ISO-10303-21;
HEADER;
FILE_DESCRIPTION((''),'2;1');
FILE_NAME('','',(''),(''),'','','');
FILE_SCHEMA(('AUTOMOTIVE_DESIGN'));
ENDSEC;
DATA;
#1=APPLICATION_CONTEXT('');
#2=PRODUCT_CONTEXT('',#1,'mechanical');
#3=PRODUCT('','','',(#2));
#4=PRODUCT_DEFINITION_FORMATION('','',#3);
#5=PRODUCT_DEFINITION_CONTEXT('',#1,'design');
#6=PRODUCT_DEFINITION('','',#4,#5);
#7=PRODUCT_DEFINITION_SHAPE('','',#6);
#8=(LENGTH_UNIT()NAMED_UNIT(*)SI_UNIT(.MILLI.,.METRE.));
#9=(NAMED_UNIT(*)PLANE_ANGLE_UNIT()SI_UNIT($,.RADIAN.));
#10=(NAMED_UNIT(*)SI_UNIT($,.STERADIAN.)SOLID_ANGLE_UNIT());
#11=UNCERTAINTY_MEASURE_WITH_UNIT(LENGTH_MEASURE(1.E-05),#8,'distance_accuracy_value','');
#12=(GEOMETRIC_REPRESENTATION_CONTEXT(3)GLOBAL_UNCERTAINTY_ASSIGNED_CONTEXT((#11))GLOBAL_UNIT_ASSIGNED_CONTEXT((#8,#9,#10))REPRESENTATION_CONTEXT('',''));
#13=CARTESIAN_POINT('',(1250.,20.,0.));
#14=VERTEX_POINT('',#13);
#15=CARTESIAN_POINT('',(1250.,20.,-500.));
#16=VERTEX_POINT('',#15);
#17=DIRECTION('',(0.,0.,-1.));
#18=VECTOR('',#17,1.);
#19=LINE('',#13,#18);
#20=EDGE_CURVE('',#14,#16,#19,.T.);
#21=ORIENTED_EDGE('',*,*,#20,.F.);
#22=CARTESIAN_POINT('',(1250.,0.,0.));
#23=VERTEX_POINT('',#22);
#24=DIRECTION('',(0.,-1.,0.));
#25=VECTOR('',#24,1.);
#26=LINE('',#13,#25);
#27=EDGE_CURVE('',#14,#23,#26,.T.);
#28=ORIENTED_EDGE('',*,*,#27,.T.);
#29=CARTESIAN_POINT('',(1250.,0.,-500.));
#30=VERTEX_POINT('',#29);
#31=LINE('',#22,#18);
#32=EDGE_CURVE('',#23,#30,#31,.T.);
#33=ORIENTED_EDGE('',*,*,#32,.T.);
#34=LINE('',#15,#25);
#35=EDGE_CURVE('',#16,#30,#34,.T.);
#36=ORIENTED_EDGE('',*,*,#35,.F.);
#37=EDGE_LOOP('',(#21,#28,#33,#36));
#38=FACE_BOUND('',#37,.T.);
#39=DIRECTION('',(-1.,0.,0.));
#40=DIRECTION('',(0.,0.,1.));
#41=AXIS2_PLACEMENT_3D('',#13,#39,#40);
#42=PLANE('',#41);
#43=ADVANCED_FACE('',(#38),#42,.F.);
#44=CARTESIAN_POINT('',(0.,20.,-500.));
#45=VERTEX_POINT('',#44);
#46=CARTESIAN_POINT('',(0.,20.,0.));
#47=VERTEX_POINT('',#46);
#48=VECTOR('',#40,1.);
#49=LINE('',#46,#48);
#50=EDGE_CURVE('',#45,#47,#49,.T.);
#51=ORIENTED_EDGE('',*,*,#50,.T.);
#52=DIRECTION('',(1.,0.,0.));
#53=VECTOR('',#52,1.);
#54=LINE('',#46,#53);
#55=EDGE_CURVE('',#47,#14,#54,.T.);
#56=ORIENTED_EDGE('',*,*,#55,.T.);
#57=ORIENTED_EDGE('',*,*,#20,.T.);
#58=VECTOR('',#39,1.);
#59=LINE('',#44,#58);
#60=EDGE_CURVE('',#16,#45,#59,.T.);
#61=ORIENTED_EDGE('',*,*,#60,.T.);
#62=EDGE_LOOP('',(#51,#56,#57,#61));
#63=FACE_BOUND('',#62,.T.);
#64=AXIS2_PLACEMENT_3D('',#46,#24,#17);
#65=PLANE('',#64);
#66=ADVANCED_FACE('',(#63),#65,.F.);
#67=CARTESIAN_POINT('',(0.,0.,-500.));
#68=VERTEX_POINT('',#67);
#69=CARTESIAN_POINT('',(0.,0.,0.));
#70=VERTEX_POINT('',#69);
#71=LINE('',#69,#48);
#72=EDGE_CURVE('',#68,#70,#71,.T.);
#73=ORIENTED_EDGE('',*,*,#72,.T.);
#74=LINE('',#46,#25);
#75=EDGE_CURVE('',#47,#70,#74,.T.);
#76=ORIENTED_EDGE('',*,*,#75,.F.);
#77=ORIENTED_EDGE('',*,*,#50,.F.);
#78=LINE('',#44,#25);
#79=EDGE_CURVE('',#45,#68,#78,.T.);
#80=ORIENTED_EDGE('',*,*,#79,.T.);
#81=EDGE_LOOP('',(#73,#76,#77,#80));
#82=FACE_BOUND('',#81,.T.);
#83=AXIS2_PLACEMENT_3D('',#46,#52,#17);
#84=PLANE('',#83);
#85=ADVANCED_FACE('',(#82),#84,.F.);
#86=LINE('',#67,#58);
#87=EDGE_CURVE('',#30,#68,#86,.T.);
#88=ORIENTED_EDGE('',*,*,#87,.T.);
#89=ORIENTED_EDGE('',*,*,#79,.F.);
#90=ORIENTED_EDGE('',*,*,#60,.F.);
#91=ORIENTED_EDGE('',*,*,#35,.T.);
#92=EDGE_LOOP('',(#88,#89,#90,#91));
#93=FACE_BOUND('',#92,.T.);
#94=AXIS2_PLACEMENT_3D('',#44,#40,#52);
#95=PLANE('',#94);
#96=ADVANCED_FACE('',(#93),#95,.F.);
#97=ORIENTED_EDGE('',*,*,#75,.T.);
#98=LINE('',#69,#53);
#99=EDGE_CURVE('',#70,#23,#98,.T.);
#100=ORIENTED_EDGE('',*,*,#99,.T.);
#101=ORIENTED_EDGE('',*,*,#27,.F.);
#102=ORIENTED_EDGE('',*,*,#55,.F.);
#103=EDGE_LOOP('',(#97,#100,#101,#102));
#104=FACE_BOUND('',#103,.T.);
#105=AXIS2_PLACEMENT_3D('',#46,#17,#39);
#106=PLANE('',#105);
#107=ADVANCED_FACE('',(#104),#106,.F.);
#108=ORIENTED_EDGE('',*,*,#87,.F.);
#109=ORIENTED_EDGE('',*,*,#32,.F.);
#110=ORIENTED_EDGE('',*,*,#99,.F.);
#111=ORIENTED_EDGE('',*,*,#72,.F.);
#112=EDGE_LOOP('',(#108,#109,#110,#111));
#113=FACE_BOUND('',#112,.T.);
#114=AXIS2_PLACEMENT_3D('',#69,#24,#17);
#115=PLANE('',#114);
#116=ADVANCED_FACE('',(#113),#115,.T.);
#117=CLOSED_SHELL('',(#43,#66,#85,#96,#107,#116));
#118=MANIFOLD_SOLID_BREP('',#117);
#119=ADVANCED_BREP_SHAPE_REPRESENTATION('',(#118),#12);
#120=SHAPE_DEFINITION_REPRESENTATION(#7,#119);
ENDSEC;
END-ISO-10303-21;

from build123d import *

# Parameters (mm, degrees)
SKETCH_1_W      = 1250
SKETCH_1_H      = 500
EXTRUDE_1_DEPTH = 20


with BuildPart() as part:
    # Эскиз1 → Бобышка-Вытянуть1 (new body)
    with BuildSketch(Plane(origin=(0, 0, 0), x_dir=(1, 0, 0), z_dir=(0, 1, 0))):
        with Locations((625, 250)):
            Rectangle(SKETCH_1_W, SKETCH_1_H)
    extrude(amount=EXTRUDE_1_DEPTH)


solid = part.part
